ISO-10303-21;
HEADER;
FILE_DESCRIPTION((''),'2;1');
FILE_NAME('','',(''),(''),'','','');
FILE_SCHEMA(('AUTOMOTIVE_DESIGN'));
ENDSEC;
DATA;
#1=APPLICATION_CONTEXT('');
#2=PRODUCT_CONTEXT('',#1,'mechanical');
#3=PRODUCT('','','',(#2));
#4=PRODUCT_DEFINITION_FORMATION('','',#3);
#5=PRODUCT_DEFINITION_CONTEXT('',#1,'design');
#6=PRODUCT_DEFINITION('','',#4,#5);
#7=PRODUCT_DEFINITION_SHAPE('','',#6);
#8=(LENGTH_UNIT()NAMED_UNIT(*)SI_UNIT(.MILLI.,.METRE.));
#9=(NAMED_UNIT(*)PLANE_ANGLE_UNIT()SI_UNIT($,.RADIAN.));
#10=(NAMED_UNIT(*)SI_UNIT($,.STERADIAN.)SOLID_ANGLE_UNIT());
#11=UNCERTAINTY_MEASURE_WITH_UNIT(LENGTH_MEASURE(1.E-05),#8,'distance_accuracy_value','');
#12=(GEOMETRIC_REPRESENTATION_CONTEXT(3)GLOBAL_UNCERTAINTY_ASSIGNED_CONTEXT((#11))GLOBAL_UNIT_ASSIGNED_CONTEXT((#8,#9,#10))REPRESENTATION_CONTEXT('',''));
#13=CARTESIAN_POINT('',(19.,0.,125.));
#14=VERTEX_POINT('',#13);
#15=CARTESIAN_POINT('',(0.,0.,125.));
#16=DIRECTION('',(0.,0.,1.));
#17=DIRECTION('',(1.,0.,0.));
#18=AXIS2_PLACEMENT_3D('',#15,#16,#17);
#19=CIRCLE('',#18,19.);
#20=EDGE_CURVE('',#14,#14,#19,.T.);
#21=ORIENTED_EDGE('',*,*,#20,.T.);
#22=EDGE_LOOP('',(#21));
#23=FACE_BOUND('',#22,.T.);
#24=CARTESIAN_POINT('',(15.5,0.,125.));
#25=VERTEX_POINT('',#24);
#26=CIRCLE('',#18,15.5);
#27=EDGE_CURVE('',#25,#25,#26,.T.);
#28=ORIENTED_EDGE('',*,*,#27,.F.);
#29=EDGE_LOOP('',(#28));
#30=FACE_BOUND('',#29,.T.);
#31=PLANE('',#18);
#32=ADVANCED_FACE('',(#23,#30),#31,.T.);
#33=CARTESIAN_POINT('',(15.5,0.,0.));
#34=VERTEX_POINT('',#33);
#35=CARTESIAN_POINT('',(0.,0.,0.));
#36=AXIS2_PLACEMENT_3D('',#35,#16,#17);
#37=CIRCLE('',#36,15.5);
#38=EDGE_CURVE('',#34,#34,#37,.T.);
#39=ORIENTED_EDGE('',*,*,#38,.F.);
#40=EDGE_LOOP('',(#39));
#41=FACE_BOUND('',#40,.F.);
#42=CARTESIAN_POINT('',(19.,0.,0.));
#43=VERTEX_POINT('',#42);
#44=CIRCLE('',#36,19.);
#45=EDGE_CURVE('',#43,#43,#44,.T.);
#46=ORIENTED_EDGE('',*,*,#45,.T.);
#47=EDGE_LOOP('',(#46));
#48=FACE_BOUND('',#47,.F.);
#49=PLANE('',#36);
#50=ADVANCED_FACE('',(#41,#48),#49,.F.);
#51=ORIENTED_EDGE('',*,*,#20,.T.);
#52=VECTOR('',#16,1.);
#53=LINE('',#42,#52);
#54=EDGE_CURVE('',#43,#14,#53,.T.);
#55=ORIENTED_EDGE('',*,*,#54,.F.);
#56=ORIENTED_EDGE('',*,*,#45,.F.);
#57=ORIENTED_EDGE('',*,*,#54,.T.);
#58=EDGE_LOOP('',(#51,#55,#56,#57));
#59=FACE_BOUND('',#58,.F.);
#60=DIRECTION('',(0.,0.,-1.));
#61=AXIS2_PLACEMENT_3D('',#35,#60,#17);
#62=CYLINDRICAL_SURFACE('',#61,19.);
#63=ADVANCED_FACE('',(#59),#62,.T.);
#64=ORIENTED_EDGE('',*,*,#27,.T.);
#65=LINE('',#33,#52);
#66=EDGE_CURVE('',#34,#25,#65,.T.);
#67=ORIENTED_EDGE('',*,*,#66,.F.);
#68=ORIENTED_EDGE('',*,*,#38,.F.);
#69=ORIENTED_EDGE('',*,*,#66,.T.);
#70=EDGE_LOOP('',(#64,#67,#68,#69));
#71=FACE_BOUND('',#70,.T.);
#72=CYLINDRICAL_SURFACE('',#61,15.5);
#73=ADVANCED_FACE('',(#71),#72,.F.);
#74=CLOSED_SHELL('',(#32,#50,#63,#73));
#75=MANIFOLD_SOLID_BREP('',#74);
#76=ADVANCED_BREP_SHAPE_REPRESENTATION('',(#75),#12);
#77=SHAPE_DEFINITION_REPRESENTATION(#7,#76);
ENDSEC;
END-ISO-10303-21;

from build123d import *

# Parameters (mm, degrees)
SKETCH_R   = 19
SKETCH_R_2 = 15.5
PAD_DEPTH  = 125


with BuildPart() as part:
    # Sketch → Pad (new body)
    with BuildSketch(Plane.XY):
        Circle(SKETCH_R)
        Circle(SKETCH_R_2, mode=Mode.SUBTRACT)
    extrude(amount=PAD_DEPTH)


solid = part.part
